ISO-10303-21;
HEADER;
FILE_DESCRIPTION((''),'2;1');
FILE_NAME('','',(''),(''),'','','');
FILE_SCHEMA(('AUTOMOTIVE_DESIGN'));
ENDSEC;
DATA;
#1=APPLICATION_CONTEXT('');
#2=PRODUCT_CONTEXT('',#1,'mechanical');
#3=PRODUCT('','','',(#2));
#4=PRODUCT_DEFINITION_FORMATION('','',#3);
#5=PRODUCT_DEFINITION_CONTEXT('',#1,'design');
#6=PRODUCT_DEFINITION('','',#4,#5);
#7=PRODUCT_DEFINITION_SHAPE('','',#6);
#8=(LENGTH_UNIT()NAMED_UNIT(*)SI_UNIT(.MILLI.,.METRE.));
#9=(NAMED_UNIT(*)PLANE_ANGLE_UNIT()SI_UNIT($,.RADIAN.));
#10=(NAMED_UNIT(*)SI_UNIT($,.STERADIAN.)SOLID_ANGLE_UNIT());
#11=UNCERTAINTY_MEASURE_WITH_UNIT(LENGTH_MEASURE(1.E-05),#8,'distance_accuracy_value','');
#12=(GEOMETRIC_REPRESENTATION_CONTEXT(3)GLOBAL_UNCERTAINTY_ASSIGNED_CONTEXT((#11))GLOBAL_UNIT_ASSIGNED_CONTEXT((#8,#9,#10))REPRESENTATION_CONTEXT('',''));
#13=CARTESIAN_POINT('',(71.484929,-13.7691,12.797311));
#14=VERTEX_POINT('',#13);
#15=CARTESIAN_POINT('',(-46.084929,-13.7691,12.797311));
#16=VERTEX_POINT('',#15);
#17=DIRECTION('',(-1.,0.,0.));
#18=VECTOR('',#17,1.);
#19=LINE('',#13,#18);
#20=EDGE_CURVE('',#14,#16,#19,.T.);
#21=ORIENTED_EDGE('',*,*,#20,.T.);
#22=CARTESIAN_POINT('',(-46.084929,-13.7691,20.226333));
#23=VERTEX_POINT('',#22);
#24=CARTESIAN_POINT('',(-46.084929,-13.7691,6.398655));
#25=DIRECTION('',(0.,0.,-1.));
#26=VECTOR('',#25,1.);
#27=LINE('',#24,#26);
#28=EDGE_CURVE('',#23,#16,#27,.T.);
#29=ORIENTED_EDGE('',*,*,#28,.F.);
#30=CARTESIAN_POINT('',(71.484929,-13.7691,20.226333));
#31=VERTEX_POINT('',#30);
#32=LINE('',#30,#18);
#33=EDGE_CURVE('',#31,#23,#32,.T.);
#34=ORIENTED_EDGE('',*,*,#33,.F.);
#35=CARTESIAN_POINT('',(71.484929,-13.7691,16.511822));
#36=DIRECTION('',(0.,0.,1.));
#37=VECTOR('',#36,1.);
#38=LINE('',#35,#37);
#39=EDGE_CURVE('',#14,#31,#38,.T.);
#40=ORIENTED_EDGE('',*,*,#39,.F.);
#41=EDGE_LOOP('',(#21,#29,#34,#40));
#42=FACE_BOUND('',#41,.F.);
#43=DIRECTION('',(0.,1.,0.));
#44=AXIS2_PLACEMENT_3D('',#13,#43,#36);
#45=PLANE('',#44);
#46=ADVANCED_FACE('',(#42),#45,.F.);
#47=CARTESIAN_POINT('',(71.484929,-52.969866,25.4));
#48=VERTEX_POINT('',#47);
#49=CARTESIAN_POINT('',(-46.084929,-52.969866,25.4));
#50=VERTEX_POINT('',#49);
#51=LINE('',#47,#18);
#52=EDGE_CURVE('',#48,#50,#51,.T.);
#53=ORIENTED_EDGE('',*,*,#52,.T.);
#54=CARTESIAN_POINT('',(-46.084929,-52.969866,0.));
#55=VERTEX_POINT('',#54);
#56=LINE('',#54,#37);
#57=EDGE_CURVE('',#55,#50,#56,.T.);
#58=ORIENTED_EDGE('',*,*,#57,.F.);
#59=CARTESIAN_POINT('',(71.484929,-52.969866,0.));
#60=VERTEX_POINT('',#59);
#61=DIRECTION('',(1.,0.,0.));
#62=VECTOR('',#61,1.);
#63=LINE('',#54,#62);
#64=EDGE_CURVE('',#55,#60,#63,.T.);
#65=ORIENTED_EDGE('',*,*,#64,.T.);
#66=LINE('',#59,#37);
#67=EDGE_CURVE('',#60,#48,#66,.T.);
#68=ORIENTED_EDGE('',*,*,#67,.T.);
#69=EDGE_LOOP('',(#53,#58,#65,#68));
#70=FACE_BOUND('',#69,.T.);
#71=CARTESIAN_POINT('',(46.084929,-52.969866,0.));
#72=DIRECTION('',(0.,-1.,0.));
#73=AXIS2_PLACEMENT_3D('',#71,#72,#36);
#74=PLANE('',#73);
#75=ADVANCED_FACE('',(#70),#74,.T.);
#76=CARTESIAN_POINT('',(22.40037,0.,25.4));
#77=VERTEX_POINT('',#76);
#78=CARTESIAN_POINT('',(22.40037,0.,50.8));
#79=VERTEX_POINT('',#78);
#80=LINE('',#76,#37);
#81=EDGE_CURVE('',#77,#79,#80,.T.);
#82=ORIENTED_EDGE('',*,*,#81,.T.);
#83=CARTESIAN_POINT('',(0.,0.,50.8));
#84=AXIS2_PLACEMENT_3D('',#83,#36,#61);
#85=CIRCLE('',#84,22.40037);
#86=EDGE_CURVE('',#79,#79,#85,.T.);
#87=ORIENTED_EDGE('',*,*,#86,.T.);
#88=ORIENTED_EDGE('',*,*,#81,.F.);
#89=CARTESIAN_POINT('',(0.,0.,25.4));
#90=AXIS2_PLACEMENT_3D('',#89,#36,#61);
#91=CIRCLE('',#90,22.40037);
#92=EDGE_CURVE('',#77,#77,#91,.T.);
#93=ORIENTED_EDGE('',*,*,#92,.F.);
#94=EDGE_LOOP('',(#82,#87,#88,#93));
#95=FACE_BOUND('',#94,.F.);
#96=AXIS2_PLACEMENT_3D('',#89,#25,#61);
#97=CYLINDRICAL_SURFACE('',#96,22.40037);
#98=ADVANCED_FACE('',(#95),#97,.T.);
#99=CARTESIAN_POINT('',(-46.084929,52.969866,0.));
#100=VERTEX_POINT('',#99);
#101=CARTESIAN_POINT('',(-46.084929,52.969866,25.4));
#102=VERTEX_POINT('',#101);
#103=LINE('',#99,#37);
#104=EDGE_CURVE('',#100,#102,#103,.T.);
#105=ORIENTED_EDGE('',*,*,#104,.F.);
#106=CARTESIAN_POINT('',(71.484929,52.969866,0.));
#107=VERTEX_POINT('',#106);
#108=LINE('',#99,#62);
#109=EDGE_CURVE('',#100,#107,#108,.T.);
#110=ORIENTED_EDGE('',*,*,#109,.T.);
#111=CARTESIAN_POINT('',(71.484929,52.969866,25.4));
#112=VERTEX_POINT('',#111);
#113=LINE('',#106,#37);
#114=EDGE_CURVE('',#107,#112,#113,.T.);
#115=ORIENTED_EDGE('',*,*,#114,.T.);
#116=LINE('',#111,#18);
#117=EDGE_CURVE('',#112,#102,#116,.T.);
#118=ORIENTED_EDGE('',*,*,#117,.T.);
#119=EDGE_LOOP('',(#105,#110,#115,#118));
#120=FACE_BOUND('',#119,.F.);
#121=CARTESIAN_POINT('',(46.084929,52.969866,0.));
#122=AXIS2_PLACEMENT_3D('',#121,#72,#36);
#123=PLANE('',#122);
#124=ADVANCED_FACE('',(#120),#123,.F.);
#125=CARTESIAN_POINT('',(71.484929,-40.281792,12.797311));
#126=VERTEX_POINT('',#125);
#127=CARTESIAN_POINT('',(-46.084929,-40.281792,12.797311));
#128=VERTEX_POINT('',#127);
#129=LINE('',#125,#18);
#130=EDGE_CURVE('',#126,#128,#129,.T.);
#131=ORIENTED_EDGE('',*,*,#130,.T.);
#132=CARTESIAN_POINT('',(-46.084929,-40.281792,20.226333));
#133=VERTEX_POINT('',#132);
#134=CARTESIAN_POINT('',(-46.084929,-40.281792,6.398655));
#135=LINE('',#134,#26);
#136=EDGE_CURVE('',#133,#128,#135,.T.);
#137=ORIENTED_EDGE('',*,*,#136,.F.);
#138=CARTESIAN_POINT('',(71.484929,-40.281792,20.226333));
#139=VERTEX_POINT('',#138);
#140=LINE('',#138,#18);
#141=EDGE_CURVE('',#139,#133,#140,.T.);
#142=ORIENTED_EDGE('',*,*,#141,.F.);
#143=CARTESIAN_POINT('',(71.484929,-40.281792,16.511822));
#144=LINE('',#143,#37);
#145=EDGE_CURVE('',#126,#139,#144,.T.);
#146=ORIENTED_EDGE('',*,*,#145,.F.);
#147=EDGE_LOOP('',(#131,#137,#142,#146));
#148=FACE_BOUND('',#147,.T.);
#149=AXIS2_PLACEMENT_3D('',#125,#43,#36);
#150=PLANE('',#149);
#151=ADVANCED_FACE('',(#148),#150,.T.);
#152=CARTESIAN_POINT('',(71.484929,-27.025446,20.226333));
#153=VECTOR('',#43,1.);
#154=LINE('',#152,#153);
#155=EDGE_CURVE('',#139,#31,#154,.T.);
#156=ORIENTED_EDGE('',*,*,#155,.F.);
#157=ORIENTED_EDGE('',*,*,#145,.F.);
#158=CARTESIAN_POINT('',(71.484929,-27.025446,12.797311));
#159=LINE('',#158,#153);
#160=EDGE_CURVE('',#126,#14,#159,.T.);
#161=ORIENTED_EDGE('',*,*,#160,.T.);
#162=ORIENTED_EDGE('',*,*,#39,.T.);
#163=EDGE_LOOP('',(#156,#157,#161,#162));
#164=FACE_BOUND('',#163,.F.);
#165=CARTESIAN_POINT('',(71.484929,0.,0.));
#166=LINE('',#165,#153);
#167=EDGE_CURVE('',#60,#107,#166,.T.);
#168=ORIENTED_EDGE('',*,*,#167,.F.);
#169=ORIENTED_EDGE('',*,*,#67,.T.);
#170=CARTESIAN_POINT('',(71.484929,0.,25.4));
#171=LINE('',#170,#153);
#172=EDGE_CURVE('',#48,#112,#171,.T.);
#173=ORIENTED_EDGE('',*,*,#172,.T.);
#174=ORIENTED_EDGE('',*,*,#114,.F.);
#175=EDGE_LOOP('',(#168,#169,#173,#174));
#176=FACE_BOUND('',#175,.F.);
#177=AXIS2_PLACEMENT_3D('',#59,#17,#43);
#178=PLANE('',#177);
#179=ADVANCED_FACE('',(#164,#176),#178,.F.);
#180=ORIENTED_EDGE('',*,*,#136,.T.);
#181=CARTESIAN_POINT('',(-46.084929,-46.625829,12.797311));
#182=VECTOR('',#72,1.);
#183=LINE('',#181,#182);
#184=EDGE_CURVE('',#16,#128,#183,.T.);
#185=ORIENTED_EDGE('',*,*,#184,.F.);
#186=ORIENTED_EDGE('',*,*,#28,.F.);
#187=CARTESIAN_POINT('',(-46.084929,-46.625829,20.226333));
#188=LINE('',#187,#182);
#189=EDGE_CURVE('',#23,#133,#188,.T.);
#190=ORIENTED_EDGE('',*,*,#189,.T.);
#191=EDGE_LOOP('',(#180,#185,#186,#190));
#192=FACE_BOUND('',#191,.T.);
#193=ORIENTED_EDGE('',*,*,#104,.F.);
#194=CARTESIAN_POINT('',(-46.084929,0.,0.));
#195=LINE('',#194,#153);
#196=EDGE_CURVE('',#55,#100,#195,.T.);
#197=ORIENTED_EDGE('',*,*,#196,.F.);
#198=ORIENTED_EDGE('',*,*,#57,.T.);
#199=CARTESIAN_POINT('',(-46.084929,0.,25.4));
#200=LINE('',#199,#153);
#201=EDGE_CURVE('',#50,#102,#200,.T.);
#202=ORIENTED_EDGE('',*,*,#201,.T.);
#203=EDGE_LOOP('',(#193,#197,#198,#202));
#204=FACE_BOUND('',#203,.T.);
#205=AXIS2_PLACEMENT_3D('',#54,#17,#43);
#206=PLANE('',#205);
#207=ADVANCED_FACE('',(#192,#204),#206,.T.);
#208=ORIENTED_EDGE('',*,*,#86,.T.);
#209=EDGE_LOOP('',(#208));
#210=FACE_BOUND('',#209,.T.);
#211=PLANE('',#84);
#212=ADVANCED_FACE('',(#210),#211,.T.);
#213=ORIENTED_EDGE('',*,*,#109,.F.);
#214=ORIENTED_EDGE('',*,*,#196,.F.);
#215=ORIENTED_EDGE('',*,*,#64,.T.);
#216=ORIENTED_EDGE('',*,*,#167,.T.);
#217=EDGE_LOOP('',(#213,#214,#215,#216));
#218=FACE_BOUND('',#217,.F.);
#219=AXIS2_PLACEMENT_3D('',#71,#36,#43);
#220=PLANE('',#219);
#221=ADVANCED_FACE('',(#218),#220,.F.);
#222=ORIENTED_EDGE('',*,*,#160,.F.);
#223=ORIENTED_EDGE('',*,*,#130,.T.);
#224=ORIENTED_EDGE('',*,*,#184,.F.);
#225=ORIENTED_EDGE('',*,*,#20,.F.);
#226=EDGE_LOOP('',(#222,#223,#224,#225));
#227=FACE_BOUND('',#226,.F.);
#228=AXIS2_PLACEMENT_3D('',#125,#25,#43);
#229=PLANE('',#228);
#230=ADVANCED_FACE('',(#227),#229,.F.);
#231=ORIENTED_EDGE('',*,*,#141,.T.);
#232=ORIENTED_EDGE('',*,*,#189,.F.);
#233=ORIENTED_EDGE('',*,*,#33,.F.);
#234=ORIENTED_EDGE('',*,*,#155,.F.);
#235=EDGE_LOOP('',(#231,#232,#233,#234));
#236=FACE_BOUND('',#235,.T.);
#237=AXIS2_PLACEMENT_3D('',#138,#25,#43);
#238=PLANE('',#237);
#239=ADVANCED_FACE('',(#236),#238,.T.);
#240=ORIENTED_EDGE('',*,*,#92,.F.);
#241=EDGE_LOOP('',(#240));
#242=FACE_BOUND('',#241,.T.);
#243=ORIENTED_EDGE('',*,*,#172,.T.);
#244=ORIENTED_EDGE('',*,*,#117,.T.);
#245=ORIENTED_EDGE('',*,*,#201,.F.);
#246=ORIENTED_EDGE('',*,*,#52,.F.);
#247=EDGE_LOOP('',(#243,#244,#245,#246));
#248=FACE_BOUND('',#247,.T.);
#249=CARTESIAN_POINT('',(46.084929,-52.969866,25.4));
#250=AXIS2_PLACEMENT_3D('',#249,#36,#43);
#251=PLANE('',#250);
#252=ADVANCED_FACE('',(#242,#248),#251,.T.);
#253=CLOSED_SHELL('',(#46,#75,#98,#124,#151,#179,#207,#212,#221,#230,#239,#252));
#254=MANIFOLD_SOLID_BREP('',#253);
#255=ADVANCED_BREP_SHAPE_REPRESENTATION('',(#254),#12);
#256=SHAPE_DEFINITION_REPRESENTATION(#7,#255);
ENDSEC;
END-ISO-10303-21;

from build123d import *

# Parameters (mm, degrees)
F0_W     = 92.1698585153
F0_H     = 105.9397310019
F1_DEPTH = 25.4
F2_R     = 22.4003702497
F3_DEPTH = 25.4
F4_DEPTH = 25.4
F5_W     = 26.5126917511
F5_H     = 7.429022342
F6_DEPTH = 117.5708585153


with BuildPart() as f1:
    # F0 (on Top) → F1 (new body)
    with BuildSketch(Plane.XY):
        Rectangle(F0_W, F0_H)
    extrude(amount=F1_DEPTH)

    # F2 (on face) → F3 (join)
    with BuildSketch(Plane.XY.offset(25.4)):
        Circle(F2_R)
    extrude(amount=F3_DEPTH)

    # F4 (add): a face of the model
    f4_faces = [f1.faces().sort_by_distance(p)[0] for p in [
        (46.0849292576, 0, 12.7),
    ]]
    extrude(f4_faces, amount=F4_DEPTH)

    # F5 (on face) → F6 (cut, through all)
    with BuildSketch(Plane.YZ.offset(71.4849292576)):
        with Locations((-27.0254462957, 16.5118221194)):
            Rectangle(F5_W, F5_H)
    extrude(amount=-F6_DEPTH, mode=Mode.SUBTRACT)


solid = f1.part
